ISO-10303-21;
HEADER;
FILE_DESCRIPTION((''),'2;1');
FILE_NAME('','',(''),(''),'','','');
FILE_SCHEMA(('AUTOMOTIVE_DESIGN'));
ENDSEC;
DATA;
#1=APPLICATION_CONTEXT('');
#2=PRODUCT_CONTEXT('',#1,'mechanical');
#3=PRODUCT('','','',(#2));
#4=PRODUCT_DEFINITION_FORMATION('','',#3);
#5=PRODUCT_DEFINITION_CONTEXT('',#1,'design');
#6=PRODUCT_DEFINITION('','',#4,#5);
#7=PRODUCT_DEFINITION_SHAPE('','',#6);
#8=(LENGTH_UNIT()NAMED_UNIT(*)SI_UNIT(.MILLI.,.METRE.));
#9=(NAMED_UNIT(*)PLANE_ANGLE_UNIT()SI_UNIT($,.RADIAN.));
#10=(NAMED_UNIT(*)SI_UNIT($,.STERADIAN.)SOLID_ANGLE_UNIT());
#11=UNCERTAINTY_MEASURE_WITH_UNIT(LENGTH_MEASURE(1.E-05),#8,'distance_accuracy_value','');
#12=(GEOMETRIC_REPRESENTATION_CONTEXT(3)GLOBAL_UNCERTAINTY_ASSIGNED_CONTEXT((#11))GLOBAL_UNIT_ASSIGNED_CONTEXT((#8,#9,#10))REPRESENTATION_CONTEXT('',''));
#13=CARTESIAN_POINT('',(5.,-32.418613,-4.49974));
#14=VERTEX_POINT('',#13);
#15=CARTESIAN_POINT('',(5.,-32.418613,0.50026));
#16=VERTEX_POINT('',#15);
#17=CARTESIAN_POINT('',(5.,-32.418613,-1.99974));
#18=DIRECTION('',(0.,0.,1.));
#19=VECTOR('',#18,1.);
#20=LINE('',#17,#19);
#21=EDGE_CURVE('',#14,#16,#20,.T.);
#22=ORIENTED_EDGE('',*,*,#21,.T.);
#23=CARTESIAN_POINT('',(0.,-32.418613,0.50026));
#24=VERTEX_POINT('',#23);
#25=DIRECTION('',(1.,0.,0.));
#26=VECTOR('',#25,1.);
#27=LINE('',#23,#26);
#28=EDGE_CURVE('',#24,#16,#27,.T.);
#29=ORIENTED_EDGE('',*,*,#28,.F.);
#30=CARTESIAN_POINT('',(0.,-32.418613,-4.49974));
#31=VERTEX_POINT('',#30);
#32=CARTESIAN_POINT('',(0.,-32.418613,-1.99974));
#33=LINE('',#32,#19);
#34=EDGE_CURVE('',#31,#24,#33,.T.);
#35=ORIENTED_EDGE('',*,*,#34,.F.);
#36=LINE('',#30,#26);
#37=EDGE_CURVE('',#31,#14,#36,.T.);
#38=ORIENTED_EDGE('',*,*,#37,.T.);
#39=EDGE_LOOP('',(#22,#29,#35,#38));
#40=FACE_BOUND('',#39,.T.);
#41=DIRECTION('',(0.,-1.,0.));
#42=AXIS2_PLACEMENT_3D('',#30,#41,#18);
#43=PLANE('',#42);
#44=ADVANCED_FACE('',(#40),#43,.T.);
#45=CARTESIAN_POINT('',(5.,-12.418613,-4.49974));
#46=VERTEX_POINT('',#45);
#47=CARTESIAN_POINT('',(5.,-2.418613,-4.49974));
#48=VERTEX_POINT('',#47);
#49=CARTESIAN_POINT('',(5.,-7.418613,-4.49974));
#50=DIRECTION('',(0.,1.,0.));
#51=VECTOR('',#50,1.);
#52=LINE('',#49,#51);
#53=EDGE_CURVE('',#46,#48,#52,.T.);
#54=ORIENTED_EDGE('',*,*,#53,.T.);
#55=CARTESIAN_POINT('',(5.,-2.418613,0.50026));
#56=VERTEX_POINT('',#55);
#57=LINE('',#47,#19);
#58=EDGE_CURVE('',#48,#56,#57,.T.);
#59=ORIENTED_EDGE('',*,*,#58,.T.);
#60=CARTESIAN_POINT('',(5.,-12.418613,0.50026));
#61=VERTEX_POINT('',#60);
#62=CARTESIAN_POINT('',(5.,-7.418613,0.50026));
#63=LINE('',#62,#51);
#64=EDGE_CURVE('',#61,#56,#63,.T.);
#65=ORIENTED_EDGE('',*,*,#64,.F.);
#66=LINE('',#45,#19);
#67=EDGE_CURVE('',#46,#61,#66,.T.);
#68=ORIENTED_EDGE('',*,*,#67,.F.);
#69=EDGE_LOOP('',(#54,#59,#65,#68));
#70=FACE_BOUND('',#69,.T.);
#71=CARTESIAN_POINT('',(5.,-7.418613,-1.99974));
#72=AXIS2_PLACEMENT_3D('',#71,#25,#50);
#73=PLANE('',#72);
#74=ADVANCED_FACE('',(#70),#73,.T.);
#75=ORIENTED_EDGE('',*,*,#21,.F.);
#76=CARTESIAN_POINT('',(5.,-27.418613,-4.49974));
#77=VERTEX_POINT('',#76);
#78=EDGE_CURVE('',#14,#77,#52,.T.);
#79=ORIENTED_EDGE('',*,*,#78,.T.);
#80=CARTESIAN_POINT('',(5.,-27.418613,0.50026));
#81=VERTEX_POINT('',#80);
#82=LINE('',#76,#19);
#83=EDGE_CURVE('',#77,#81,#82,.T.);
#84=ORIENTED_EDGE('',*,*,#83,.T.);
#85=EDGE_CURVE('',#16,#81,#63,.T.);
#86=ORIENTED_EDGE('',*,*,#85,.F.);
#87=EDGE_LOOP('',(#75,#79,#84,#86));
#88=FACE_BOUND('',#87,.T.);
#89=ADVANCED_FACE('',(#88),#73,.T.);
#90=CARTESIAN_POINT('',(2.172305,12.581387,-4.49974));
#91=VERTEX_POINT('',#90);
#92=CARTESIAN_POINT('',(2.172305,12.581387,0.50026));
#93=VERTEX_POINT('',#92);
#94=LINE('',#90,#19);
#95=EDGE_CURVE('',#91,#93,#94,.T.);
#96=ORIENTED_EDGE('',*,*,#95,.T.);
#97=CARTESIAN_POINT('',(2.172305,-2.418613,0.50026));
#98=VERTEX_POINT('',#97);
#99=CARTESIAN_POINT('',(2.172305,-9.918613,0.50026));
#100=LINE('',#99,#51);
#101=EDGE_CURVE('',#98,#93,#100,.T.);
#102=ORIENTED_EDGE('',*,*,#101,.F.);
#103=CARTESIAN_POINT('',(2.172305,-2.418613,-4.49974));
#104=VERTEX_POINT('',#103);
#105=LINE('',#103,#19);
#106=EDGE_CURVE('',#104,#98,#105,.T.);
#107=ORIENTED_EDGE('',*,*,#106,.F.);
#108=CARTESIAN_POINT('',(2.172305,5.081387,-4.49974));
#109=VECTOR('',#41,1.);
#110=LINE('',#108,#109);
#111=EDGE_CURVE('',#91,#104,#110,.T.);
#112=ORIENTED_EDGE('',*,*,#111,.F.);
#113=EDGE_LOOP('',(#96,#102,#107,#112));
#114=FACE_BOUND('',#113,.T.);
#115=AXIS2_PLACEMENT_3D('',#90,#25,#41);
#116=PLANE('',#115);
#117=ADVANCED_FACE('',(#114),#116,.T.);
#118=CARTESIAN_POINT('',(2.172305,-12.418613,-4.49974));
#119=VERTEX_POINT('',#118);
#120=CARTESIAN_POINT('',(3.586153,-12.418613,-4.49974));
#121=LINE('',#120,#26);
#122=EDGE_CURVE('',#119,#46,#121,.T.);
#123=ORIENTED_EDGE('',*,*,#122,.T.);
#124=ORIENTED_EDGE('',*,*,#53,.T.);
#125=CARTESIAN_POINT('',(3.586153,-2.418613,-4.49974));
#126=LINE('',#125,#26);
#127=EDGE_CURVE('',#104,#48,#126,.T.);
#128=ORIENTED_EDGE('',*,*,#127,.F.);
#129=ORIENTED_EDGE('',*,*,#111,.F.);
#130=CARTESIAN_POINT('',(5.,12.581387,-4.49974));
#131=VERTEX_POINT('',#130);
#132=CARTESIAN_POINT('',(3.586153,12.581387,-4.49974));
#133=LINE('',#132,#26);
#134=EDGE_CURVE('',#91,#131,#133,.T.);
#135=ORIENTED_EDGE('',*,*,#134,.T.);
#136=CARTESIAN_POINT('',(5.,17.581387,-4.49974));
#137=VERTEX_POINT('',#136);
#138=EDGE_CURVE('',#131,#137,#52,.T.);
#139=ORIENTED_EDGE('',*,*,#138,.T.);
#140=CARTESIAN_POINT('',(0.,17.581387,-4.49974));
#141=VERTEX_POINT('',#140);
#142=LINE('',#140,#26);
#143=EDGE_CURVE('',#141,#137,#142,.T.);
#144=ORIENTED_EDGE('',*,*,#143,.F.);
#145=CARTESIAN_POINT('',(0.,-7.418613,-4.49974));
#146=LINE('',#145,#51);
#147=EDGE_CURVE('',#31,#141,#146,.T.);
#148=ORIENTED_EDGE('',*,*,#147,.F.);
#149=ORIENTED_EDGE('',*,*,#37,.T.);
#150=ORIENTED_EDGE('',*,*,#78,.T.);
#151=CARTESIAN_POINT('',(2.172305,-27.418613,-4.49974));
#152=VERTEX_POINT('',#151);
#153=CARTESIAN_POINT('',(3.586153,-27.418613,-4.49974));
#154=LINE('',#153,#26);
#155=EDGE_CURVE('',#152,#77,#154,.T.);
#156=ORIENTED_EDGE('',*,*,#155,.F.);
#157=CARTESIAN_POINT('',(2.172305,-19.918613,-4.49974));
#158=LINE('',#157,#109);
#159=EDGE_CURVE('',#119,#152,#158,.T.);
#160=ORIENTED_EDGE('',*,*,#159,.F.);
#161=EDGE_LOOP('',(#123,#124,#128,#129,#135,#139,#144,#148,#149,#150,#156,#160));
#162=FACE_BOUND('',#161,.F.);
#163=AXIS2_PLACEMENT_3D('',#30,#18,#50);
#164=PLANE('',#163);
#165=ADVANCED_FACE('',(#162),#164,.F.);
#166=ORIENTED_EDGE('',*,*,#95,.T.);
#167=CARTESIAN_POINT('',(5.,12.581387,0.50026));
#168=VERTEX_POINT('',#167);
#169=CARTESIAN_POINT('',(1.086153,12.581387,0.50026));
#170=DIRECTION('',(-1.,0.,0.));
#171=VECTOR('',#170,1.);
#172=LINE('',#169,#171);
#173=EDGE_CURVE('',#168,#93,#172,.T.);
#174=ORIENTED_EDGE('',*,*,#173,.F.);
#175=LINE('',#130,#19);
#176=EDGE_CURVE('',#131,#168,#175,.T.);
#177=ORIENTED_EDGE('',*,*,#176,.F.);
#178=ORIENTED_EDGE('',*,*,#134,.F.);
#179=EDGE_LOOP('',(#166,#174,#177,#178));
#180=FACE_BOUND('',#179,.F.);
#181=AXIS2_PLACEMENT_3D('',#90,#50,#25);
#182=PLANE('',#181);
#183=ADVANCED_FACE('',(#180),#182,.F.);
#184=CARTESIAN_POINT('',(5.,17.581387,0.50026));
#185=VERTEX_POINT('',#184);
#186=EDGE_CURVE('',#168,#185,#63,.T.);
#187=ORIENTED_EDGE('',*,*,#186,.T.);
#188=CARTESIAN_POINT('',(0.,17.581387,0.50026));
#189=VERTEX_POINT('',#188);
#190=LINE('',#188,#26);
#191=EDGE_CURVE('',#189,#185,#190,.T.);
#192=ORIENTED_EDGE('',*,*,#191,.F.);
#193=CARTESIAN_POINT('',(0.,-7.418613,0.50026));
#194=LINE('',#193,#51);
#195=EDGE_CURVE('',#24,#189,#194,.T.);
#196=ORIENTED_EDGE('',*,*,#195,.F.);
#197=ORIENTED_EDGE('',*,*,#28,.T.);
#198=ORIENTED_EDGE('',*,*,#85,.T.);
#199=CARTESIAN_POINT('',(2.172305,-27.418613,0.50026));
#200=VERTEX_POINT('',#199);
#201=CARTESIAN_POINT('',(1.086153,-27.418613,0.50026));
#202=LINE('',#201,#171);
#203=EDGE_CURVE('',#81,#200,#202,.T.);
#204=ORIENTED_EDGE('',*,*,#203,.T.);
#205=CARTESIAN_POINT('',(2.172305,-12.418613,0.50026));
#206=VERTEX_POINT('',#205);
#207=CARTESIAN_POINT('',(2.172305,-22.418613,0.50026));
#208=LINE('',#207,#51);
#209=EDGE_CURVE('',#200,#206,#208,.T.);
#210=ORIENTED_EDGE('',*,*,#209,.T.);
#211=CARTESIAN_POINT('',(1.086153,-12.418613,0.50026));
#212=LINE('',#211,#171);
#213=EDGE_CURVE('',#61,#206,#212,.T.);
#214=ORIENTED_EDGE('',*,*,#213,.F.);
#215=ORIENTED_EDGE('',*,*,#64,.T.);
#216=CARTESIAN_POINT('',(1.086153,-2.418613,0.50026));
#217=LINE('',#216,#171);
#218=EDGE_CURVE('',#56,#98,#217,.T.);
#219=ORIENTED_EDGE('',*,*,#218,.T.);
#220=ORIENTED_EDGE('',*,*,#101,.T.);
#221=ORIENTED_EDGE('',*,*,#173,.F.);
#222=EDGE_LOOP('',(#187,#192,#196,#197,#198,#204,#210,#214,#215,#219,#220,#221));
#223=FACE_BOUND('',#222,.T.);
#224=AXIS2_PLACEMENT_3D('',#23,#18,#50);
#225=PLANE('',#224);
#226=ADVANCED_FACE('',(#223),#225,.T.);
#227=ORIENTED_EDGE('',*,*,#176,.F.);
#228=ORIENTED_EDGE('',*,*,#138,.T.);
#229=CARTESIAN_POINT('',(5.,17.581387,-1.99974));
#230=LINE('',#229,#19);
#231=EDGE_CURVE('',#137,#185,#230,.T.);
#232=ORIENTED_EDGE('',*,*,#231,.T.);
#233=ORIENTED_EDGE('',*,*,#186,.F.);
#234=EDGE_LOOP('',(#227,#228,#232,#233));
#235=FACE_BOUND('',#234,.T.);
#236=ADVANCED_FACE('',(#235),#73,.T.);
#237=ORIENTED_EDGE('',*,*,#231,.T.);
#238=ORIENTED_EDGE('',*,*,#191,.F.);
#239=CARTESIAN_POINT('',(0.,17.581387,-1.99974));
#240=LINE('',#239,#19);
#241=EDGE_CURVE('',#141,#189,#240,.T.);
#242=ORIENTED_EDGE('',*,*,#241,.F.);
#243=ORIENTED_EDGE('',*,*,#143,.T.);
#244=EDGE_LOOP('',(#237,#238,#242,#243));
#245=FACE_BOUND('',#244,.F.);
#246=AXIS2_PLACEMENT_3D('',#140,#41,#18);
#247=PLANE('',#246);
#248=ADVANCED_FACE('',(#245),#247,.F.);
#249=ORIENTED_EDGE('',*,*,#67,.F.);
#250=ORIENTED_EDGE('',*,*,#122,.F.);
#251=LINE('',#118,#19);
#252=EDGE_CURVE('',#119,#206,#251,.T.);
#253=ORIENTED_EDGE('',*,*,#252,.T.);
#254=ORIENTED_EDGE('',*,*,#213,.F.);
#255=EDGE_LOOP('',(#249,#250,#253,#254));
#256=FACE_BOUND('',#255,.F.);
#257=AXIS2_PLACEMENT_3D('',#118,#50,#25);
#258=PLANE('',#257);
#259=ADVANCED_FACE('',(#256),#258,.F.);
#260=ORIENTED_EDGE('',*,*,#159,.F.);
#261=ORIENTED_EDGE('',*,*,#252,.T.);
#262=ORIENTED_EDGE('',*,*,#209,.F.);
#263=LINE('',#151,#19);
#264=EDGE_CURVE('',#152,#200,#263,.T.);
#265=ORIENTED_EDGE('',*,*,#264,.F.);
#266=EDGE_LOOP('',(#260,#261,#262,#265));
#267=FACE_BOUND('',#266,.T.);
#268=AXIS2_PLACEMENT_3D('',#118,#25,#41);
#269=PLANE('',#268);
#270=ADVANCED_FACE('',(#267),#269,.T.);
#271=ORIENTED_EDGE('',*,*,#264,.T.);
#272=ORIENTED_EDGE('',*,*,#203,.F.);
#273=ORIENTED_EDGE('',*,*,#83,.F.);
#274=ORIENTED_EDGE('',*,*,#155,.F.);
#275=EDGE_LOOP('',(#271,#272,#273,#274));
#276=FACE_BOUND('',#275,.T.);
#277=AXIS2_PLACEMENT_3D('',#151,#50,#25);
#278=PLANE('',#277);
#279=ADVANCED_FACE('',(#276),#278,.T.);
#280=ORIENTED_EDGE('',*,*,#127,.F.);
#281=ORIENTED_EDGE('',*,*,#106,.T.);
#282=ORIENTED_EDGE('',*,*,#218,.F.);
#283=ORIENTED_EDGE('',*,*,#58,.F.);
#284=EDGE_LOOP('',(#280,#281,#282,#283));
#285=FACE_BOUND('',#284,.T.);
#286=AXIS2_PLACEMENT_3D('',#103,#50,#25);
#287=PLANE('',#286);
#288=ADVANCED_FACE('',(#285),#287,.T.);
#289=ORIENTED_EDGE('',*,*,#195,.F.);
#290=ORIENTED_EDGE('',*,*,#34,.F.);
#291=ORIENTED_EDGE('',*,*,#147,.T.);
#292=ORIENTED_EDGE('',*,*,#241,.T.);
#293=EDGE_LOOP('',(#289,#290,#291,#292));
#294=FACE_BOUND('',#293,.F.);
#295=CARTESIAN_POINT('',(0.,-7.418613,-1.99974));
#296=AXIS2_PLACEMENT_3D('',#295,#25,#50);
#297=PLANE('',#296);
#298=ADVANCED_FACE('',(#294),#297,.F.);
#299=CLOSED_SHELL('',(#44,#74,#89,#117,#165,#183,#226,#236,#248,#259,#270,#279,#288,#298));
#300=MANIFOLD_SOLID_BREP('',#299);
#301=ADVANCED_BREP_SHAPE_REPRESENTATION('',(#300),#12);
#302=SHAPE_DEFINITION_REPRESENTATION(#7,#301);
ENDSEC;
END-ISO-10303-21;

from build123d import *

# Parameters (mm, degrees)
F0_W     = 50
F0_H     = 5
F1_DEPTH = 5
F2_W     = 2.8276949842
F2_H     = 15
F3_DEPTH = 5.1


with BuildPart() as f1:
    # F0 (on Right) → F1 (new body)
    with BuildSketch(Plane.YZ):
        with Locations((-7.4186130613, -1.9997399262)):
            Rectangle(F0_W, F0_H)
    extrude(amount=F1_DEPTH)

    # F2 (on face) → F3 (cut)
    with BuildSketch(Plane(origin=(0, 0, -4.4997399262), x_dir=(1, 0, 0), z_dir=(0, 0, -1))):
        with Locations((3.5861525079, 19.9186130613)):
            Rectangle(F2_W, F2_H)
        with Locations((3.5861525079, -5.0813869387)):
            Rectangle(F2_W, F2_H)
    extrude(amount=-F3_DEPTH, mode=Mode.SUBTRACT)


solid = f1.part
